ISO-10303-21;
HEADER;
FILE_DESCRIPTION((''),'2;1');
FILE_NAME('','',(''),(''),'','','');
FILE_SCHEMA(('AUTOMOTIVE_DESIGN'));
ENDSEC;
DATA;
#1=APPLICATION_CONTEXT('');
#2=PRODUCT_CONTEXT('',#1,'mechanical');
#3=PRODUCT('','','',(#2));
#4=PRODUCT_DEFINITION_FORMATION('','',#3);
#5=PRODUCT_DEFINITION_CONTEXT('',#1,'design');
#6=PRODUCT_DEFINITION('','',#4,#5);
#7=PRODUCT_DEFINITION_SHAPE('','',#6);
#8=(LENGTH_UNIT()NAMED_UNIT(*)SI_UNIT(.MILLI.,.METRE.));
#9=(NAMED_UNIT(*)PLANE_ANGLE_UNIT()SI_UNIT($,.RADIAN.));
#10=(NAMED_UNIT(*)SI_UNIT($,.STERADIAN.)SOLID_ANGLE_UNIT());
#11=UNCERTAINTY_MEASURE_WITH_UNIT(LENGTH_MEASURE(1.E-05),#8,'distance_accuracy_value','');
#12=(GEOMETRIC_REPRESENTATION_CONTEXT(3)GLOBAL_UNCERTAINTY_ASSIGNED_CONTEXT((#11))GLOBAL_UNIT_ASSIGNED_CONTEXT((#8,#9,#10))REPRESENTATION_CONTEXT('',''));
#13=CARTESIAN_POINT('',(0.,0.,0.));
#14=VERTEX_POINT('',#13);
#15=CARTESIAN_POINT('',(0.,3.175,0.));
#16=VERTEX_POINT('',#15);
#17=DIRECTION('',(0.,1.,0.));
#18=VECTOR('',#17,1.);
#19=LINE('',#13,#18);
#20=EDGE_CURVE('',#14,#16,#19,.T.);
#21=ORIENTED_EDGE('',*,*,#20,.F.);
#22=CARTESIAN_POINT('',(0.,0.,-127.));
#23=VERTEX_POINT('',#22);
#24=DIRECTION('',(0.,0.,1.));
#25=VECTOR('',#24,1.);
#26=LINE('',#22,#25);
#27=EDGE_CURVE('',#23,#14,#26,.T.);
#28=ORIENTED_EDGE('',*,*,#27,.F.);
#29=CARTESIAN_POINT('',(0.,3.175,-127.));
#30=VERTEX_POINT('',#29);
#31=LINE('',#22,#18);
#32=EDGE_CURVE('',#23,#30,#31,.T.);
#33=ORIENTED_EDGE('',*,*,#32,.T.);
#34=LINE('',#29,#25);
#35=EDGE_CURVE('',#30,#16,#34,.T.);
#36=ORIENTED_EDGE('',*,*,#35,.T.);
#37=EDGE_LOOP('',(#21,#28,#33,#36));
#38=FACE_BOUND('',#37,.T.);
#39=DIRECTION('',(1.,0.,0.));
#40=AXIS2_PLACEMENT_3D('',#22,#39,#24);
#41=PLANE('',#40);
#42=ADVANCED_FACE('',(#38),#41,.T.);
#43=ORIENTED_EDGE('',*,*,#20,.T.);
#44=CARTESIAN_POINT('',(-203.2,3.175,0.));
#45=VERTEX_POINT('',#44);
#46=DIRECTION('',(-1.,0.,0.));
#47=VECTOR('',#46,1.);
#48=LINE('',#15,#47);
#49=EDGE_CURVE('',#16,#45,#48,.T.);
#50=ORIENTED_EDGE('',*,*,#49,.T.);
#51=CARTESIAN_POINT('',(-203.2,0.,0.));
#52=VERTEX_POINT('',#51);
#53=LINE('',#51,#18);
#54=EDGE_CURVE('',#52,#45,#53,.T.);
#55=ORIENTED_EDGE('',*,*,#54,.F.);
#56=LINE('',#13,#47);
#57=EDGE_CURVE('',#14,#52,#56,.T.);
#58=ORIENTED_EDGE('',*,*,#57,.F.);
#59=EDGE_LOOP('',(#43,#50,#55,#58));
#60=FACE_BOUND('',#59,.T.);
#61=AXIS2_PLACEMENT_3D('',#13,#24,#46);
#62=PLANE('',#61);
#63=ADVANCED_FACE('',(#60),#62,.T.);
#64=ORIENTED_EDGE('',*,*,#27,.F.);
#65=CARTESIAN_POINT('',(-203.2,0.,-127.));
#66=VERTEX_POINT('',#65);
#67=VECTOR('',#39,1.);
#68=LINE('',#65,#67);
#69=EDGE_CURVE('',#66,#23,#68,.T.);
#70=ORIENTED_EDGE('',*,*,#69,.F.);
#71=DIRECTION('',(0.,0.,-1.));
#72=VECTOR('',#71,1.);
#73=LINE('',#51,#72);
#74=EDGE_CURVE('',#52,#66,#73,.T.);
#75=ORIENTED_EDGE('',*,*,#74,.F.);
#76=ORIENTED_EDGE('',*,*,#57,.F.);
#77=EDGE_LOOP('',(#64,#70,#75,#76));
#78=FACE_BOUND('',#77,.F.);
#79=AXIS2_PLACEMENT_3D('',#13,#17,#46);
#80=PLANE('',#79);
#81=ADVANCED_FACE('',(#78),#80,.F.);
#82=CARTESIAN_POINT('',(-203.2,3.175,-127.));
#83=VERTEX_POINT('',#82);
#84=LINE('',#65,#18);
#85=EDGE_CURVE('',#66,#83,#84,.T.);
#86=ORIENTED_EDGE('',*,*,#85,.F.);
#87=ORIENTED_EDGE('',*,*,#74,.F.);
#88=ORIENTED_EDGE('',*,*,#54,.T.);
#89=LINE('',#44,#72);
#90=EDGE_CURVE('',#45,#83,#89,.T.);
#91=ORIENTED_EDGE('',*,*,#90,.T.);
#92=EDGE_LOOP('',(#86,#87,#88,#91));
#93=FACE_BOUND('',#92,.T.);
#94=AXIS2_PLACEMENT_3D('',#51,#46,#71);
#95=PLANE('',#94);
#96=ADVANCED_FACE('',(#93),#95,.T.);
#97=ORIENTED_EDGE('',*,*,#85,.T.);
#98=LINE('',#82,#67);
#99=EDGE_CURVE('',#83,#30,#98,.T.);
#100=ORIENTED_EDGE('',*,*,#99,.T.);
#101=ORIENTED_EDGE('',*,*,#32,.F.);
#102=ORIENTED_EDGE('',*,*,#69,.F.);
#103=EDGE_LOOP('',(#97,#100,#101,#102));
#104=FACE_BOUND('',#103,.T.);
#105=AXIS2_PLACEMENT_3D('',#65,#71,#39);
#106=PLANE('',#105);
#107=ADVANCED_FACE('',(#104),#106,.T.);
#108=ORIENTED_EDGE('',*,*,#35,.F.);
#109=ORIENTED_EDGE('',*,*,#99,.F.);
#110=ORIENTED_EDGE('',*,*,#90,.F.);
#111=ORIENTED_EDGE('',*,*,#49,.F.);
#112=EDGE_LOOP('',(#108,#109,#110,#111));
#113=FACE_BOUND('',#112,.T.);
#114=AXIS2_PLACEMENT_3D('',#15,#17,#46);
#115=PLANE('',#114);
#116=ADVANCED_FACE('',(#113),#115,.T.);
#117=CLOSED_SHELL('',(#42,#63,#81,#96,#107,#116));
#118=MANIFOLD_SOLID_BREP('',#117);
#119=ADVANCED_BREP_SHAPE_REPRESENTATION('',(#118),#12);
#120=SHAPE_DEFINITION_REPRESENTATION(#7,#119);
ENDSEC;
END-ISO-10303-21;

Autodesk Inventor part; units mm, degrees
ref_plane "YZ Plane" through (0, 0, 0) normal (1, 0, 0) x (0, 1, 0)
ref_plane "XZ Plane" through (0, 0, 0) normal (0, 1, 0) x (-1, 0, 0)
ref_plane "XY Plane" through (0, 0, 0) normal (0, 0, 1) x (1, 0, 0)
sketch "Sketch1" plane through (0, 0, 0) normal (0, 1, 0) x (-1, 0, 0)
  line L0 (0, 0) -> (203.2, 0)
  line L1 (203.2, 0) -> (203.2, -127)
  line L2 (203.2, -127) -> (0, -127)
  line L3 (0, -127) -> (0, 0)
  dimension "d0" = 203.2
  dimension "d1" = 127
extrude "Extrusion1" add sketch "Sketch1" along normal blind 3.175
properties part number "PlexiIntakeBottom.ver1-1111-2020"
